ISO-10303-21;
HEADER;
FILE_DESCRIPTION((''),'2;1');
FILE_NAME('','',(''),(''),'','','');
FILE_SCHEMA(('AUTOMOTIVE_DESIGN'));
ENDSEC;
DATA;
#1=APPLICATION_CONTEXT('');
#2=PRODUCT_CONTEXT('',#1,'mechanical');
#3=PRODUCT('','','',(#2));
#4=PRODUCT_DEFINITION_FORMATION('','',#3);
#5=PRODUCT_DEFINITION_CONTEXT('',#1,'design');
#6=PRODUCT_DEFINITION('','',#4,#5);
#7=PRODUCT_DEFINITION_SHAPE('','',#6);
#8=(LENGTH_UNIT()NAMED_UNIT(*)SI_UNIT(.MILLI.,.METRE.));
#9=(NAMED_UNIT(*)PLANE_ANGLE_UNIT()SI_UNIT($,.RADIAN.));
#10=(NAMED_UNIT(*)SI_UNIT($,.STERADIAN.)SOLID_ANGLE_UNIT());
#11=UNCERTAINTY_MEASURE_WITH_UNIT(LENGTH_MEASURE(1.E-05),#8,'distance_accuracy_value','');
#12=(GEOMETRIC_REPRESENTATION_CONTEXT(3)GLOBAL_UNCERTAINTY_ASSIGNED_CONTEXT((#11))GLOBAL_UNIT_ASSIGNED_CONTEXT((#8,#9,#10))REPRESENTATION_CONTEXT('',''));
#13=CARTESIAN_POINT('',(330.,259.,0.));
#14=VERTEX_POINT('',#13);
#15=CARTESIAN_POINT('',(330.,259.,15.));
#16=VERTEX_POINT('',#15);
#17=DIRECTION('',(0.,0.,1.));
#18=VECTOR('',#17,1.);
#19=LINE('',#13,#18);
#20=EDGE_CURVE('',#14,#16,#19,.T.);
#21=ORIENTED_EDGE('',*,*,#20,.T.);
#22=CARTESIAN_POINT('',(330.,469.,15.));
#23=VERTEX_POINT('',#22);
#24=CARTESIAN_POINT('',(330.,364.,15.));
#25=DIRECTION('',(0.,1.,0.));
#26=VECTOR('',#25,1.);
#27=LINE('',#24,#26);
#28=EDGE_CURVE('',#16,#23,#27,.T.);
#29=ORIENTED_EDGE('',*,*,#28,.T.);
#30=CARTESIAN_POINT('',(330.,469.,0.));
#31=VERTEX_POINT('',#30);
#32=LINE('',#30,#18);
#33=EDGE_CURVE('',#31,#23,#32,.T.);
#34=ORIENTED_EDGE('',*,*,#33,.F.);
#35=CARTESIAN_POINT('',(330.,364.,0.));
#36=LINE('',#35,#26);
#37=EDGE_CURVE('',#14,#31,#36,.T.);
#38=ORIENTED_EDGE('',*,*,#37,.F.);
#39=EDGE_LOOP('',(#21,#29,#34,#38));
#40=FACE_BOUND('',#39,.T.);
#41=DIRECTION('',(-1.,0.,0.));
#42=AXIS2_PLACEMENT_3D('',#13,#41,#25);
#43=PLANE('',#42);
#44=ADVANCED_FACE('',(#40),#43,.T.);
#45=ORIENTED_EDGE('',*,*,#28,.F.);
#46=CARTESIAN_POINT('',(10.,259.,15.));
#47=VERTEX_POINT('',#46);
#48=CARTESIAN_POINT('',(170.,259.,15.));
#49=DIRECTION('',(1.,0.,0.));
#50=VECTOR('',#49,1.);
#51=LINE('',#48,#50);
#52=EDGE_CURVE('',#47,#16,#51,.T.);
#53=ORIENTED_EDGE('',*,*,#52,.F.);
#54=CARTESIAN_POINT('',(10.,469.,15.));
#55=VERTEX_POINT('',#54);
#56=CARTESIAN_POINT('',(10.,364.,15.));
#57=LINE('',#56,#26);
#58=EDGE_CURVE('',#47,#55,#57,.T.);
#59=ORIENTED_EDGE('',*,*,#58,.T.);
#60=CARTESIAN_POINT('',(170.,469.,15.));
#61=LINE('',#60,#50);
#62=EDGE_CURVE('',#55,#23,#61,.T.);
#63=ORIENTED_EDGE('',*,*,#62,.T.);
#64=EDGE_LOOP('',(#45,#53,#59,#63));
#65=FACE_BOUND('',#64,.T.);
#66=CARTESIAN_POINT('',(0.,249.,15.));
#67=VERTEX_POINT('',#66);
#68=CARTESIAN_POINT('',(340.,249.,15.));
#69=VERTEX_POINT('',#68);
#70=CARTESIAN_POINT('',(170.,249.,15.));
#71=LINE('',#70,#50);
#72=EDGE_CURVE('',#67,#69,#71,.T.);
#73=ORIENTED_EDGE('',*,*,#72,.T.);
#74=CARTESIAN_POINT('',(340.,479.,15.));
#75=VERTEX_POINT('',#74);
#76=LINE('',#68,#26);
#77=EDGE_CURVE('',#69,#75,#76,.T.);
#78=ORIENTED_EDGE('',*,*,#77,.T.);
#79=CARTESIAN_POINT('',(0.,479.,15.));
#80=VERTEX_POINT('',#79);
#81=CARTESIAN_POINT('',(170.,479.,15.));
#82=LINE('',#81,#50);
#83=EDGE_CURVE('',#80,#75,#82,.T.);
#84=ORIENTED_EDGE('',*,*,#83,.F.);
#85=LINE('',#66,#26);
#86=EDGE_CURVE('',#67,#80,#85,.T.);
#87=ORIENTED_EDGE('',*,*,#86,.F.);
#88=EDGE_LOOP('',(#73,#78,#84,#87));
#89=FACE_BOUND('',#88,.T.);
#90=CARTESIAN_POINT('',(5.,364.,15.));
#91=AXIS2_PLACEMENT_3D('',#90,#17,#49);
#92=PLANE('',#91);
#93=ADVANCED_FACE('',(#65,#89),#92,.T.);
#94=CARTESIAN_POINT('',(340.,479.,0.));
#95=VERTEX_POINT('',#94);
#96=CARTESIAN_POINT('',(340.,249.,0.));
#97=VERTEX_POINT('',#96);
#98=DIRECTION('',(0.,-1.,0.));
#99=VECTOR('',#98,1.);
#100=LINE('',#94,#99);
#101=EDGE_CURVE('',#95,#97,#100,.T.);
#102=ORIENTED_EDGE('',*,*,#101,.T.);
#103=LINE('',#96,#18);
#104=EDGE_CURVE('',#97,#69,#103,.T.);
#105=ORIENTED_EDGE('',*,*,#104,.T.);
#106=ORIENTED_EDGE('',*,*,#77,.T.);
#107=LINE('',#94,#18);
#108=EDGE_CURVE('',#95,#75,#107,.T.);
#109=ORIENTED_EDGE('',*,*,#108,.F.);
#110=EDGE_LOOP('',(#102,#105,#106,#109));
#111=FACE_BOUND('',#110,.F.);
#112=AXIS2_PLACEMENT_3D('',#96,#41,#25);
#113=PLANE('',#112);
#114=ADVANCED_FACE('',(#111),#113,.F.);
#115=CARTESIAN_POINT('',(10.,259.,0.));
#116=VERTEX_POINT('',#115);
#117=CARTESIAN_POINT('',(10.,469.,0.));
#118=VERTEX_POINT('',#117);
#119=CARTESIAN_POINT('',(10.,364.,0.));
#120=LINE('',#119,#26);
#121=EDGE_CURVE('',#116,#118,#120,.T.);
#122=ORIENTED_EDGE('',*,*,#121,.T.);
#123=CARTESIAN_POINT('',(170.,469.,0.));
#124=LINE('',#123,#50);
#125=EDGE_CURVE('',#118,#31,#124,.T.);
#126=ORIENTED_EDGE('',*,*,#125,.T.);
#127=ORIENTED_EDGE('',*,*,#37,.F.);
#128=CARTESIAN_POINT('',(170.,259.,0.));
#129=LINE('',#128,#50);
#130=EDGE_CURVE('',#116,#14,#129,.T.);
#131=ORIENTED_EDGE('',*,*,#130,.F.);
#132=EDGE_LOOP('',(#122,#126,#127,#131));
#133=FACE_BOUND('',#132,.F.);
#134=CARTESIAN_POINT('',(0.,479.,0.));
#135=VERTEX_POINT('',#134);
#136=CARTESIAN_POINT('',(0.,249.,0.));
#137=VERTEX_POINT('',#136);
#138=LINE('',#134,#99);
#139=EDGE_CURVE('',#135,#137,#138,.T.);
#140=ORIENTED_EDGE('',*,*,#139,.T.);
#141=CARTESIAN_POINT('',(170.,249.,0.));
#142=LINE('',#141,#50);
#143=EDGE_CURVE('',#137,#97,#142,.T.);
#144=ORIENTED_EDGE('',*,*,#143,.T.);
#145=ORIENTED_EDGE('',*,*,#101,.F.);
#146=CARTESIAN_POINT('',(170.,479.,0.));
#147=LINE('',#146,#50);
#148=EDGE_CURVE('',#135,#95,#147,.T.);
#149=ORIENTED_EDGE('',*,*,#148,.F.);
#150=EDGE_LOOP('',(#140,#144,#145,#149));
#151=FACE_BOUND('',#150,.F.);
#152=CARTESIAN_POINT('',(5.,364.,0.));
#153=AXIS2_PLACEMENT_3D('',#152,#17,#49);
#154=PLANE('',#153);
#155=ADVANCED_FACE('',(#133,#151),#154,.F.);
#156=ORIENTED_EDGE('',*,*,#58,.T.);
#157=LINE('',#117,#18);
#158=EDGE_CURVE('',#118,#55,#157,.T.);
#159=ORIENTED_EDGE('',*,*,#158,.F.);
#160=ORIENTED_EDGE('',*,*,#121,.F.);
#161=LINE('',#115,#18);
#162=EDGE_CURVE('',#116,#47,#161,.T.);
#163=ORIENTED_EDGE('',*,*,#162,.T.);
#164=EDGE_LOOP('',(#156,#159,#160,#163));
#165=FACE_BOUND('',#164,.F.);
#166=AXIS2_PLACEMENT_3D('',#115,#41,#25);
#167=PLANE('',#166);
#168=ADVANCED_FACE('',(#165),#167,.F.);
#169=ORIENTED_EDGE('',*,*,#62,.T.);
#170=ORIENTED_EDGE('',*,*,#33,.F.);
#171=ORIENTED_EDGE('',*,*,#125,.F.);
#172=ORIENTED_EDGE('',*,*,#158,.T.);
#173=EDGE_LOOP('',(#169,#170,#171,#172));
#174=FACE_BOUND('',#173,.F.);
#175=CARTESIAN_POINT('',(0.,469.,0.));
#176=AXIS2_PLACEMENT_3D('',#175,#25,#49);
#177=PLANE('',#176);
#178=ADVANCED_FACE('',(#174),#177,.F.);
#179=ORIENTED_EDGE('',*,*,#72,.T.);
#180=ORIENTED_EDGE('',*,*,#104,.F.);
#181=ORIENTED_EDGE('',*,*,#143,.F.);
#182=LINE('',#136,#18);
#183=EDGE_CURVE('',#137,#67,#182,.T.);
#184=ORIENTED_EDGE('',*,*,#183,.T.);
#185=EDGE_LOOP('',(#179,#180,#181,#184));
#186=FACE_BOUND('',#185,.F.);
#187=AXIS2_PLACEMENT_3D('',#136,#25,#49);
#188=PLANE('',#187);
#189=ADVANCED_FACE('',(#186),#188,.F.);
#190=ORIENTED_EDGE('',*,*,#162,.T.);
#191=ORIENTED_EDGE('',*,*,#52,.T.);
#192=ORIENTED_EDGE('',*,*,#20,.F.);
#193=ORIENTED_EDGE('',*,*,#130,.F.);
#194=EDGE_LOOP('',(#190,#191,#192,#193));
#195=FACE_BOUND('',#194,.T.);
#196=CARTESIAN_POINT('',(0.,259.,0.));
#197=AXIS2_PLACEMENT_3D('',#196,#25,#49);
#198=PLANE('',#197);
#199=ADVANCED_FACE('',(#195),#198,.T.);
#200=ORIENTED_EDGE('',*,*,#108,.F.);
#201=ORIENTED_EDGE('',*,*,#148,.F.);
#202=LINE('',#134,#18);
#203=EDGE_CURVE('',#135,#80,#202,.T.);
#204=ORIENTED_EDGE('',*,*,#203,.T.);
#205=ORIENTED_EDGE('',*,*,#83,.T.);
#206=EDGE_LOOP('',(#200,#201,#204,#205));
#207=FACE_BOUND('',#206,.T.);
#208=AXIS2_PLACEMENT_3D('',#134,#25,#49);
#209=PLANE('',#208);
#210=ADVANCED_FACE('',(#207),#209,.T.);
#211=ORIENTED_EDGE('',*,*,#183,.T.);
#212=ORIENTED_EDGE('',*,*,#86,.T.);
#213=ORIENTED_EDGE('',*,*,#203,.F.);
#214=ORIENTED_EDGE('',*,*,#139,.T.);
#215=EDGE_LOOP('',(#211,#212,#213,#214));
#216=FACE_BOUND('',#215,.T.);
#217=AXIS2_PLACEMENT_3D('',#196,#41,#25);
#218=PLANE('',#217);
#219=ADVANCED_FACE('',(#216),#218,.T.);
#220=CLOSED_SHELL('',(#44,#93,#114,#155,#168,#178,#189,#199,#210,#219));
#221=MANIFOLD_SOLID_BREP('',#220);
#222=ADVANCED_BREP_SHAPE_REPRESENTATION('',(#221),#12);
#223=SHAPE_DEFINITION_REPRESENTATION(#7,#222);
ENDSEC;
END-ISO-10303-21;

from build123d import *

# Parameters (mm, degrees)
BOX053_W     = 10
BOX053_H     = 210
BOX053_DEPTH = 15
BOX052_W     = 340
BOX052_H     = 10
BOX052_DEPTH = 15
BOX054_W     = 10
BOX054_H     = 210
BOX054_DEPTH = 15
BOX055_W     = 340
BOX055_H     = 10
BOX055_DEPTH = 15


with BuildPart() as cubo016:
    # Box053 → Box053 (new body)
    with BuildSketch(Plane(origin=(330, 259, 0), x_dir=(1, 0, 0), z_dir=(0, 0, 1))):
        with Locations((5, 105)):
            Rectangle(BOX053_W, BOX053_H)
    extrude(amount=BOX053_DEPTH)


with BuildPart() as cubo015:
    # Box052 → Box052 (new body)
    with BuildSketch(Plane(origin=(0, 249, 0), x_dir=(1, 0, 0), z_dir=(0, 0, 1))):
        with Locations((170, 5)):
            Rectangle(BOX052_W, BOX052_H)
    extrude(amount=BOX052_DEPTH)


with BuildPart() as cubo017:
    # Box054 → Box054 (new body)
    with BuildSketch(Plane(origin=(0, 259, 0), x_dir=(1, 0, 0), z_dir=(0, 0, 1))):
        with Locations((5, 105)):
            Rectangle(BOX054_W, BOX054_H)
    extrude(amount=BOX054_DEPTH)


with BuildPart() as techo001:
    # Box055 → Box055 (new body)
    with BuildSketch(Plane(origin=(0, 469, 0), x_dir=(1, 0, 0), z_dir=(0, 0, 1))):
        with Locations((170, 5)):
            Rectangle(BOX055_W, BOX055_H)
    extrude(amount=BOX055_DEPTH)

    # Fusion006: union Cubo016, Cubo015, Cubo017
    add(cubo016.part)
    add(cubo015.part)
    add(cubo017.part)


solid = techo001.part
